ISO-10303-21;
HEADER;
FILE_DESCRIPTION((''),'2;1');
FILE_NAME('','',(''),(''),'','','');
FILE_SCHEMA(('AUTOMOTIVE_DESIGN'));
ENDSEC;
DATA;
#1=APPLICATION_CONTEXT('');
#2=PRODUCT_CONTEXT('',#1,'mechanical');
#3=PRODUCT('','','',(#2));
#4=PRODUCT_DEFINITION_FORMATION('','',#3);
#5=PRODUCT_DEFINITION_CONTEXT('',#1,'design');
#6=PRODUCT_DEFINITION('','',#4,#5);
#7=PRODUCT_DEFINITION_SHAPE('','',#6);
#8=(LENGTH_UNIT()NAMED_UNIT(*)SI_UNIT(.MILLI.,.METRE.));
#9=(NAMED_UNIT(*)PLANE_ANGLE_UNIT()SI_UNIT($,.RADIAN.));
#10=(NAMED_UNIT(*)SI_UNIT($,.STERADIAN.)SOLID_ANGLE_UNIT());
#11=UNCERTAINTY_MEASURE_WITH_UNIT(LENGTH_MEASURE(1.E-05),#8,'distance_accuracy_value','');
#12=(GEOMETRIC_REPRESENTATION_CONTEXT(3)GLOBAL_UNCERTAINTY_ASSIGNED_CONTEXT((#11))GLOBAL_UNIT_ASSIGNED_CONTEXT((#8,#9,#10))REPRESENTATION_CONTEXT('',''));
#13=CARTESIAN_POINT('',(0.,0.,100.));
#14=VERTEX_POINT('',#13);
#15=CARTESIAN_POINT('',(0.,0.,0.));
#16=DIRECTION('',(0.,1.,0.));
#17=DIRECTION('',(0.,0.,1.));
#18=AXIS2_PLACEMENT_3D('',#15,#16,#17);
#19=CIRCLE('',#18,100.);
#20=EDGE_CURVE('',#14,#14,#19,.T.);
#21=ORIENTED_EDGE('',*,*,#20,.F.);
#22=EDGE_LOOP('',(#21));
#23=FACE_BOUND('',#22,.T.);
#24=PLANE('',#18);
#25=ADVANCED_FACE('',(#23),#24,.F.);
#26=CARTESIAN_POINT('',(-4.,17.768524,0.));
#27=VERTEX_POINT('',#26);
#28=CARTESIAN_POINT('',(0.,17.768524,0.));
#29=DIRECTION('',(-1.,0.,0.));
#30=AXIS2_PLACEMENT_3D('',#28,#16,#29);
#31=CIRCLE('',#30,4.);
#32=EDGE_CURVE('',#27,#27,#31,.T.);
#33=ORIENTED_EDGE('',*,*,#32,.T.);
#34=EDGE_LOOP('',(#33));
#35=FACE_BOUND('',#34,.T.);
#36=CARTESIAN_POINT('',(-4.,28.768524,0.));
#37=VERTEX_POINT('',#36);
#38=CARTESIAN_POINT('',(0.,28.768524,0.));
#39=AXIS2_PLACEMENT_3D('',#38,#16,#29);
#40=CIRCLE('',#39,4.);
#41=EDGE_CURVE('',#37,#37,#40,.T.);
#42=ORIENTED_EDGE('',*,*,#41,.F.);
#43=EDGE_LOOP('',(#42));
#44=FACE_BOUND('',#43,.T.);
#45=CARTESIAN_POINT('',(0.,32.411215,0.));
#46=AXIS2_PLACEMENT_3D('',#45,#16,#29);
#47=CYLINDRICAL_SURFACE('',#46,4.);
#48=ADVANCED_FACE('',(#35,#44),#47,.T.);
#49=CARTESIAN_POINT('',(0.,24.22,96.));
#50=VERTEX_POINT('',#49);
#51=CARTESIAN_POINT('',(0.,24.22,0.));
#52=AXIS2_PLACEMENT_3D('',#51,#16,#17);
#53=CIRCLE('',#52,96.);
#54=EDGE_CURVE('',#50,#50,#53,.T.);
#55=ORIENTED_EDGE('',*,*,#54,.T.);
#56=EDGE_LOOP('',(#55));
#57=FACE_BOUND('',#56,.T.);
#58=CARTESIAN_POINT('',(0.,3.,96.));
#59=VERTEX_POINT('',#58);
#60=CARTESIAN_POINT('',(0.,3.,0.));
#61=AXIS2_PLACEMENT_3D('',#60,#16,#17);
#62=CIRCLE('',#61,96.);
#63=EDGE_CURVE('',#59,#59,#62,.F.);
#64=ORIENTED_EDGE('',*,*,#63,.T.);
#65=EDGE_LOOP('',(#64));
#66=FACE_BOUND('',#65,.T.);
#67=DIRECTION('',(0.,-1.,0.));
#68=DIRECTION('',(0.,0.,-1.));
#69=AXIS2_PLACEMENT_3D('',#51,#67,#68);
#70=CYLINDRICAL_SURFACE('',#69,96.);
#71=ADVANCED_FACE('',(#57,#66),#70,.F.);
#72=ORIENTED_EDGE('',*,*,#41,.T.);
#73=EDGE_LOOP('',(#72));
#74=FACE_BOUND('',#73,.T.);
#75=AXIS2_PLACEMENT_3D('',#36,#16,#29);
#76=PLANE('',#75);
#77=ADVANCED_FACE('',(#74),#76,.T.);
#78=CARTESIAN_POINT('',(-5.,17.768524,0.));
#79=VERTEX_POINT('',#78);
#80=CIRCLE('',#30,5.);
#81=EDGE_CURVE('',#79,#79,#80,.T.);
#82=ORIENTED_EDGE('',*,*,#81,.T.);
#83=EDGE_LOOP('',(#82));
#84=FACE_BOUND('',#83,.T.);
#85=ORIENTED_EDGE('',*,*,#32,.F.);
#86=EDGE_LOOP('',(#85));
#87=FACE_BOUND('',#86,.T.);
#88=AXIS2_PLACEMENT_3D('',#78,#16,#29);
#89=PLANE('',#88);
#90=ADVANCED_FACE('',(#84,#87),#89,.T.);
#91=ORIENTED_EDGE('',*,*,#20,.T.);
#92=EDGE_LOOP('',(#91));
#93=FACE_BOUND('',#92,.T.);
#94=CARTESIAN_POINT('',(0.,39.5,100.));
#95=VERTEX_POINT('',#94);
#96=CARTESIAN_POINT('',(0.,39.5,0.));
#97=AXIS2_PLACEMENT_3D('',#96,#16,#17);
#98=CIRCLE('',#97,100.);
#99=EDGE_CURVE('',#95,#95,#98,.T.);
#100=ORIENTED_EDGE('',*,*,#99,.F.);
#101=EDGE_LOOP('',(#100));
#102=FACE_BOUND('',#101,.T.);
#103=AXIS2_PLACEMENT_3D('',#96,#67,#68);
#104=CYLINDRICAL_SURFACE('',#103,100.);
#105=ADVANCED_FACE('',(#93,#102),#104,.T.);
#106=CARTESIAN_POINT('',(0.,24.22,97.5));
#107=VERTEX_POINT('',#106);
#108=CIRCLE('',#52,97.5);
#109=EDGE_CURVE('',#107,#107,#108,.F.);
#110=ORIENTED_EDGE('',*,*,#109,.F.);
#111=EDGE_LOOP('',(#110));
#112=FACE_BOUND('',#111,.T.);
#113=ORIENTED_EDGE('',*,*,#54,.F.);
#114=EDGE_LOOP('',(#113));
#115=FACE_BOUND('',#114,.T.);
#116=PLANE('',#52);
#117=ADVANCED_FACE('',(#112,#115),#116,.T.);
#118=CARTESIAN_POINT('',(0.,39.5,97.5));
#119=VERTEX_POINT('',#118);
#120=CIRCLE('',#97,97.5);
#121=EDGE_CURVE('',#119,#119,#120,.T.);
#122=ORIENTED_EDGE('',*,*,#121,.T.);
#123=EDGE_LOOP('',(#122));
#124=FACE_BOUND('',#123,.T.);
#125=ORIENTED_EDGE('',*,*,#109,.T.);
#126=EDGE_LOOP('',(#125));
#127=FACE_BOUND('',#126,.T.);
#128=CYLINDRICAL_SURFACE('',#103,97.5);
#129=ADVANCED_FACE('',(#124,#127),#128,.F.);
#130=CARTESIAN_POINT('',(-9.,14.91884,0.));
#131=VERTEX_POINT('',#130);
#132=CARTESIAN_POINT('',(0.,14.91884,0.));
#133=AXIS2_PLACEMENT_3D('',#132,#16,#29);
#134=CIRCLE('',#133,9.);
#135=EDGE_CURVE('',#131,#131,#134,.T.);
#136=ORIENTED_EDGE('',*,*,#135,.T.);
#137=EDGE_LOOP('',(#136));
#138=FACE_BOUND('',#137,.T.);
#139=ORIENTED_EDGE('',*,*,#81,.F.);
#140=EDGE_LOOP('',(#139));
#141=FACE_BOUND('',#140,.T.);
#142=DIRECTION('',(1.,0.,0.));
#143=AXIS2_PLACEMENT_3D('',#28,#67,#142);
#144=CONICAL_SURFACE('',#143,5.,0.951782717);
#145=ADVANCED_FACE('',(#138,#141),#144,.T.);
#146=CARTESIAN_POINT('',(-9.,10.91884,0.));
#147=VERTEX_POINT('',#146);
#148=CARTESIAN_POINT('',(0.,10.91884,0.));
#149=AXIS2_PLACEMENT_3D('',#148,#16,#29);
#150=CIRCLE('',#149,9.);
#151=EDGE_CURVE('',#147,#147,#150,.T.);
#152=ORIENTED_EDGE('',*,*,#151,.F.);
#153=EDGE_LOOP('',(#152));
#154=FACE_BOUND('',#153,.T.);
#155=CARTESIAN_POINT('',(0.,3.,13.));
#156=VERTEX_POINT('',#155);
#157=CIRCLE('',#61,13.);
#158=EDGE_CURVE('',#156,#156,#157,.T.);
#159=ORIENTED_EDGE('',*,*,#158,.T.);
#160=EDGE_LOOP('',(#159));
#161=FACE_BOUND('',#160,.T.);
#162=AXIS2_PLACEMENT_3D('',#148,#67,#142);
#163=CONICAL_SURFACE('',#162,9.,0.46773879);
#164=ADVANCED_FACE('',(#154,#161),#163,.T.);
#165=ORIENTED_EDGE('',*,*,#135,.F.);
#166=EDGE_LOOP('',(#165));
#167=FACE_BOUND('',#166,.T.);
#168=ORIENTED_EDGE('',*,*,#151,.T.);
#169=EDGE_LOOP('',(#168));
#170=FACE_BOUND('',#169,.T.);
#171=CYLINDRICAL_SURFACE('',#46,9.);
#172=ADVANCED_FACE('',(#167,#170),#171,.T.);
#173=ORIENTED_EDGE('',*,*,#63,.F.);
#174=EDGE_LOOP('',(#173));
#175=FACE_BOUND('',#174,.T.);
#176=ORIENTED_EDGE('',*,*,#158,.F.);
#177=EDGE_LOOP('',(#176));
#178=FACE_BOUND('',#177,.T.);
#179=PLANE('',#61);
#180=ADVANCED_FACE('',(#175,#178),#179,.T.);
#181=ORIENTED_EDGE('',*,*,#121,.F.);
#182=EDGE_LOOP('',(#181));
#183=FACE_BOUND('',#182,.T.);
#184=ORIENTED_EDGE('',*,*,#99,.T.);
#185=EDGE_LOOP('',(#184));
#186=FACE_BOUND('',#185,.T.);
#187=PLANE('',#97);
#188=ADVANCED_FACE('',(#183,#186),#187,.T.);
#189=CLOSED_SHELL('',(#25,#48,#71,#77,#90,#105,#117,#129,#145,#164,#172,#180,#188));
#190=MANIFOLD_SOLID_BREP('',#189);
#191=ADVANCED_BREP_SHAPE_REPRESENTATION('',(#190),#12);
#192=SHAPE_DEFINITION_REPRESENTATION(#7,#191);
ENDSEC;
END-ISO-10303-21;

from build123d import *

# Parameters (mm, degrees)
SKETCH1_R           = 96
BOSS_EXTRUDE1_DEPTH = 3
SKETCH1_4_R         = 97.5
SKETCH1_4_R_2       = 96
BOSS_EXTRUDE2_DEPTH = 24.22
SKETCH1_5_R         = 100
SKETCH1_5_R_2       = 97.5
BOSS_EXTRUDE3_DEPTH = 39.5


with BuildPart() as part:
    # Sketch1 → Boss-Extrude1 (new body)
    with BuildSketch(Plane(origin=(0, 0, 0), x_dir=(1, 0, 0), z_dir=(0, 1, 0))):
        Circle(SKETCH1_R)
    extrude(amount=BOSS_EXTRUDE1_DEPTH)

    # Sketch1<4> → Boss-Extrude2 (add)
    with BuildSketch(Plane(origin=(0, 0, 0), x_dir=(1, 0, 0), z_dir=(0, 1, 0))):
        Circle(SKETCH1_4_R)
        Circle(SKETCH1_4_R_2, mode=Mode.SUBTRACT)
    extrude(amount=BOSS_EXTRUDE2_DEPTH)

    # Sketch1<5> → Boss-Extrude3 (add)
    with BuildSketch(Plane(origin=(0, 0, 0), x_dir=(1, 0, 0), z_dir=(0, 1, 0))):
        Circle(SKETCH1_5_R)
        Circle(SKETCH1_5_R_2, mode=Mode.SUBTRACT)
    extrude(amount=BOSS_EXTRUDE3_DEPTH)

    # Sketch6 → Revolve1 (revolve)
    with BuildSketch(Plane(origin=(0, 3, 0), x_dir=(1, 0, 0), z_dir=(0, 0, 1))):
        Polygon((0, 0), (-13, 0), (-9, 7.918840006), (-9, 11.918840006), (-5, 14.768523744), (-4, 14.768523744), (-4, 25.768523744), (0, 25.768523744), align=None)
    revolve(axis=Axis((0, 32.411214842, 0), (0, -1, 0)))


solid = part.part
